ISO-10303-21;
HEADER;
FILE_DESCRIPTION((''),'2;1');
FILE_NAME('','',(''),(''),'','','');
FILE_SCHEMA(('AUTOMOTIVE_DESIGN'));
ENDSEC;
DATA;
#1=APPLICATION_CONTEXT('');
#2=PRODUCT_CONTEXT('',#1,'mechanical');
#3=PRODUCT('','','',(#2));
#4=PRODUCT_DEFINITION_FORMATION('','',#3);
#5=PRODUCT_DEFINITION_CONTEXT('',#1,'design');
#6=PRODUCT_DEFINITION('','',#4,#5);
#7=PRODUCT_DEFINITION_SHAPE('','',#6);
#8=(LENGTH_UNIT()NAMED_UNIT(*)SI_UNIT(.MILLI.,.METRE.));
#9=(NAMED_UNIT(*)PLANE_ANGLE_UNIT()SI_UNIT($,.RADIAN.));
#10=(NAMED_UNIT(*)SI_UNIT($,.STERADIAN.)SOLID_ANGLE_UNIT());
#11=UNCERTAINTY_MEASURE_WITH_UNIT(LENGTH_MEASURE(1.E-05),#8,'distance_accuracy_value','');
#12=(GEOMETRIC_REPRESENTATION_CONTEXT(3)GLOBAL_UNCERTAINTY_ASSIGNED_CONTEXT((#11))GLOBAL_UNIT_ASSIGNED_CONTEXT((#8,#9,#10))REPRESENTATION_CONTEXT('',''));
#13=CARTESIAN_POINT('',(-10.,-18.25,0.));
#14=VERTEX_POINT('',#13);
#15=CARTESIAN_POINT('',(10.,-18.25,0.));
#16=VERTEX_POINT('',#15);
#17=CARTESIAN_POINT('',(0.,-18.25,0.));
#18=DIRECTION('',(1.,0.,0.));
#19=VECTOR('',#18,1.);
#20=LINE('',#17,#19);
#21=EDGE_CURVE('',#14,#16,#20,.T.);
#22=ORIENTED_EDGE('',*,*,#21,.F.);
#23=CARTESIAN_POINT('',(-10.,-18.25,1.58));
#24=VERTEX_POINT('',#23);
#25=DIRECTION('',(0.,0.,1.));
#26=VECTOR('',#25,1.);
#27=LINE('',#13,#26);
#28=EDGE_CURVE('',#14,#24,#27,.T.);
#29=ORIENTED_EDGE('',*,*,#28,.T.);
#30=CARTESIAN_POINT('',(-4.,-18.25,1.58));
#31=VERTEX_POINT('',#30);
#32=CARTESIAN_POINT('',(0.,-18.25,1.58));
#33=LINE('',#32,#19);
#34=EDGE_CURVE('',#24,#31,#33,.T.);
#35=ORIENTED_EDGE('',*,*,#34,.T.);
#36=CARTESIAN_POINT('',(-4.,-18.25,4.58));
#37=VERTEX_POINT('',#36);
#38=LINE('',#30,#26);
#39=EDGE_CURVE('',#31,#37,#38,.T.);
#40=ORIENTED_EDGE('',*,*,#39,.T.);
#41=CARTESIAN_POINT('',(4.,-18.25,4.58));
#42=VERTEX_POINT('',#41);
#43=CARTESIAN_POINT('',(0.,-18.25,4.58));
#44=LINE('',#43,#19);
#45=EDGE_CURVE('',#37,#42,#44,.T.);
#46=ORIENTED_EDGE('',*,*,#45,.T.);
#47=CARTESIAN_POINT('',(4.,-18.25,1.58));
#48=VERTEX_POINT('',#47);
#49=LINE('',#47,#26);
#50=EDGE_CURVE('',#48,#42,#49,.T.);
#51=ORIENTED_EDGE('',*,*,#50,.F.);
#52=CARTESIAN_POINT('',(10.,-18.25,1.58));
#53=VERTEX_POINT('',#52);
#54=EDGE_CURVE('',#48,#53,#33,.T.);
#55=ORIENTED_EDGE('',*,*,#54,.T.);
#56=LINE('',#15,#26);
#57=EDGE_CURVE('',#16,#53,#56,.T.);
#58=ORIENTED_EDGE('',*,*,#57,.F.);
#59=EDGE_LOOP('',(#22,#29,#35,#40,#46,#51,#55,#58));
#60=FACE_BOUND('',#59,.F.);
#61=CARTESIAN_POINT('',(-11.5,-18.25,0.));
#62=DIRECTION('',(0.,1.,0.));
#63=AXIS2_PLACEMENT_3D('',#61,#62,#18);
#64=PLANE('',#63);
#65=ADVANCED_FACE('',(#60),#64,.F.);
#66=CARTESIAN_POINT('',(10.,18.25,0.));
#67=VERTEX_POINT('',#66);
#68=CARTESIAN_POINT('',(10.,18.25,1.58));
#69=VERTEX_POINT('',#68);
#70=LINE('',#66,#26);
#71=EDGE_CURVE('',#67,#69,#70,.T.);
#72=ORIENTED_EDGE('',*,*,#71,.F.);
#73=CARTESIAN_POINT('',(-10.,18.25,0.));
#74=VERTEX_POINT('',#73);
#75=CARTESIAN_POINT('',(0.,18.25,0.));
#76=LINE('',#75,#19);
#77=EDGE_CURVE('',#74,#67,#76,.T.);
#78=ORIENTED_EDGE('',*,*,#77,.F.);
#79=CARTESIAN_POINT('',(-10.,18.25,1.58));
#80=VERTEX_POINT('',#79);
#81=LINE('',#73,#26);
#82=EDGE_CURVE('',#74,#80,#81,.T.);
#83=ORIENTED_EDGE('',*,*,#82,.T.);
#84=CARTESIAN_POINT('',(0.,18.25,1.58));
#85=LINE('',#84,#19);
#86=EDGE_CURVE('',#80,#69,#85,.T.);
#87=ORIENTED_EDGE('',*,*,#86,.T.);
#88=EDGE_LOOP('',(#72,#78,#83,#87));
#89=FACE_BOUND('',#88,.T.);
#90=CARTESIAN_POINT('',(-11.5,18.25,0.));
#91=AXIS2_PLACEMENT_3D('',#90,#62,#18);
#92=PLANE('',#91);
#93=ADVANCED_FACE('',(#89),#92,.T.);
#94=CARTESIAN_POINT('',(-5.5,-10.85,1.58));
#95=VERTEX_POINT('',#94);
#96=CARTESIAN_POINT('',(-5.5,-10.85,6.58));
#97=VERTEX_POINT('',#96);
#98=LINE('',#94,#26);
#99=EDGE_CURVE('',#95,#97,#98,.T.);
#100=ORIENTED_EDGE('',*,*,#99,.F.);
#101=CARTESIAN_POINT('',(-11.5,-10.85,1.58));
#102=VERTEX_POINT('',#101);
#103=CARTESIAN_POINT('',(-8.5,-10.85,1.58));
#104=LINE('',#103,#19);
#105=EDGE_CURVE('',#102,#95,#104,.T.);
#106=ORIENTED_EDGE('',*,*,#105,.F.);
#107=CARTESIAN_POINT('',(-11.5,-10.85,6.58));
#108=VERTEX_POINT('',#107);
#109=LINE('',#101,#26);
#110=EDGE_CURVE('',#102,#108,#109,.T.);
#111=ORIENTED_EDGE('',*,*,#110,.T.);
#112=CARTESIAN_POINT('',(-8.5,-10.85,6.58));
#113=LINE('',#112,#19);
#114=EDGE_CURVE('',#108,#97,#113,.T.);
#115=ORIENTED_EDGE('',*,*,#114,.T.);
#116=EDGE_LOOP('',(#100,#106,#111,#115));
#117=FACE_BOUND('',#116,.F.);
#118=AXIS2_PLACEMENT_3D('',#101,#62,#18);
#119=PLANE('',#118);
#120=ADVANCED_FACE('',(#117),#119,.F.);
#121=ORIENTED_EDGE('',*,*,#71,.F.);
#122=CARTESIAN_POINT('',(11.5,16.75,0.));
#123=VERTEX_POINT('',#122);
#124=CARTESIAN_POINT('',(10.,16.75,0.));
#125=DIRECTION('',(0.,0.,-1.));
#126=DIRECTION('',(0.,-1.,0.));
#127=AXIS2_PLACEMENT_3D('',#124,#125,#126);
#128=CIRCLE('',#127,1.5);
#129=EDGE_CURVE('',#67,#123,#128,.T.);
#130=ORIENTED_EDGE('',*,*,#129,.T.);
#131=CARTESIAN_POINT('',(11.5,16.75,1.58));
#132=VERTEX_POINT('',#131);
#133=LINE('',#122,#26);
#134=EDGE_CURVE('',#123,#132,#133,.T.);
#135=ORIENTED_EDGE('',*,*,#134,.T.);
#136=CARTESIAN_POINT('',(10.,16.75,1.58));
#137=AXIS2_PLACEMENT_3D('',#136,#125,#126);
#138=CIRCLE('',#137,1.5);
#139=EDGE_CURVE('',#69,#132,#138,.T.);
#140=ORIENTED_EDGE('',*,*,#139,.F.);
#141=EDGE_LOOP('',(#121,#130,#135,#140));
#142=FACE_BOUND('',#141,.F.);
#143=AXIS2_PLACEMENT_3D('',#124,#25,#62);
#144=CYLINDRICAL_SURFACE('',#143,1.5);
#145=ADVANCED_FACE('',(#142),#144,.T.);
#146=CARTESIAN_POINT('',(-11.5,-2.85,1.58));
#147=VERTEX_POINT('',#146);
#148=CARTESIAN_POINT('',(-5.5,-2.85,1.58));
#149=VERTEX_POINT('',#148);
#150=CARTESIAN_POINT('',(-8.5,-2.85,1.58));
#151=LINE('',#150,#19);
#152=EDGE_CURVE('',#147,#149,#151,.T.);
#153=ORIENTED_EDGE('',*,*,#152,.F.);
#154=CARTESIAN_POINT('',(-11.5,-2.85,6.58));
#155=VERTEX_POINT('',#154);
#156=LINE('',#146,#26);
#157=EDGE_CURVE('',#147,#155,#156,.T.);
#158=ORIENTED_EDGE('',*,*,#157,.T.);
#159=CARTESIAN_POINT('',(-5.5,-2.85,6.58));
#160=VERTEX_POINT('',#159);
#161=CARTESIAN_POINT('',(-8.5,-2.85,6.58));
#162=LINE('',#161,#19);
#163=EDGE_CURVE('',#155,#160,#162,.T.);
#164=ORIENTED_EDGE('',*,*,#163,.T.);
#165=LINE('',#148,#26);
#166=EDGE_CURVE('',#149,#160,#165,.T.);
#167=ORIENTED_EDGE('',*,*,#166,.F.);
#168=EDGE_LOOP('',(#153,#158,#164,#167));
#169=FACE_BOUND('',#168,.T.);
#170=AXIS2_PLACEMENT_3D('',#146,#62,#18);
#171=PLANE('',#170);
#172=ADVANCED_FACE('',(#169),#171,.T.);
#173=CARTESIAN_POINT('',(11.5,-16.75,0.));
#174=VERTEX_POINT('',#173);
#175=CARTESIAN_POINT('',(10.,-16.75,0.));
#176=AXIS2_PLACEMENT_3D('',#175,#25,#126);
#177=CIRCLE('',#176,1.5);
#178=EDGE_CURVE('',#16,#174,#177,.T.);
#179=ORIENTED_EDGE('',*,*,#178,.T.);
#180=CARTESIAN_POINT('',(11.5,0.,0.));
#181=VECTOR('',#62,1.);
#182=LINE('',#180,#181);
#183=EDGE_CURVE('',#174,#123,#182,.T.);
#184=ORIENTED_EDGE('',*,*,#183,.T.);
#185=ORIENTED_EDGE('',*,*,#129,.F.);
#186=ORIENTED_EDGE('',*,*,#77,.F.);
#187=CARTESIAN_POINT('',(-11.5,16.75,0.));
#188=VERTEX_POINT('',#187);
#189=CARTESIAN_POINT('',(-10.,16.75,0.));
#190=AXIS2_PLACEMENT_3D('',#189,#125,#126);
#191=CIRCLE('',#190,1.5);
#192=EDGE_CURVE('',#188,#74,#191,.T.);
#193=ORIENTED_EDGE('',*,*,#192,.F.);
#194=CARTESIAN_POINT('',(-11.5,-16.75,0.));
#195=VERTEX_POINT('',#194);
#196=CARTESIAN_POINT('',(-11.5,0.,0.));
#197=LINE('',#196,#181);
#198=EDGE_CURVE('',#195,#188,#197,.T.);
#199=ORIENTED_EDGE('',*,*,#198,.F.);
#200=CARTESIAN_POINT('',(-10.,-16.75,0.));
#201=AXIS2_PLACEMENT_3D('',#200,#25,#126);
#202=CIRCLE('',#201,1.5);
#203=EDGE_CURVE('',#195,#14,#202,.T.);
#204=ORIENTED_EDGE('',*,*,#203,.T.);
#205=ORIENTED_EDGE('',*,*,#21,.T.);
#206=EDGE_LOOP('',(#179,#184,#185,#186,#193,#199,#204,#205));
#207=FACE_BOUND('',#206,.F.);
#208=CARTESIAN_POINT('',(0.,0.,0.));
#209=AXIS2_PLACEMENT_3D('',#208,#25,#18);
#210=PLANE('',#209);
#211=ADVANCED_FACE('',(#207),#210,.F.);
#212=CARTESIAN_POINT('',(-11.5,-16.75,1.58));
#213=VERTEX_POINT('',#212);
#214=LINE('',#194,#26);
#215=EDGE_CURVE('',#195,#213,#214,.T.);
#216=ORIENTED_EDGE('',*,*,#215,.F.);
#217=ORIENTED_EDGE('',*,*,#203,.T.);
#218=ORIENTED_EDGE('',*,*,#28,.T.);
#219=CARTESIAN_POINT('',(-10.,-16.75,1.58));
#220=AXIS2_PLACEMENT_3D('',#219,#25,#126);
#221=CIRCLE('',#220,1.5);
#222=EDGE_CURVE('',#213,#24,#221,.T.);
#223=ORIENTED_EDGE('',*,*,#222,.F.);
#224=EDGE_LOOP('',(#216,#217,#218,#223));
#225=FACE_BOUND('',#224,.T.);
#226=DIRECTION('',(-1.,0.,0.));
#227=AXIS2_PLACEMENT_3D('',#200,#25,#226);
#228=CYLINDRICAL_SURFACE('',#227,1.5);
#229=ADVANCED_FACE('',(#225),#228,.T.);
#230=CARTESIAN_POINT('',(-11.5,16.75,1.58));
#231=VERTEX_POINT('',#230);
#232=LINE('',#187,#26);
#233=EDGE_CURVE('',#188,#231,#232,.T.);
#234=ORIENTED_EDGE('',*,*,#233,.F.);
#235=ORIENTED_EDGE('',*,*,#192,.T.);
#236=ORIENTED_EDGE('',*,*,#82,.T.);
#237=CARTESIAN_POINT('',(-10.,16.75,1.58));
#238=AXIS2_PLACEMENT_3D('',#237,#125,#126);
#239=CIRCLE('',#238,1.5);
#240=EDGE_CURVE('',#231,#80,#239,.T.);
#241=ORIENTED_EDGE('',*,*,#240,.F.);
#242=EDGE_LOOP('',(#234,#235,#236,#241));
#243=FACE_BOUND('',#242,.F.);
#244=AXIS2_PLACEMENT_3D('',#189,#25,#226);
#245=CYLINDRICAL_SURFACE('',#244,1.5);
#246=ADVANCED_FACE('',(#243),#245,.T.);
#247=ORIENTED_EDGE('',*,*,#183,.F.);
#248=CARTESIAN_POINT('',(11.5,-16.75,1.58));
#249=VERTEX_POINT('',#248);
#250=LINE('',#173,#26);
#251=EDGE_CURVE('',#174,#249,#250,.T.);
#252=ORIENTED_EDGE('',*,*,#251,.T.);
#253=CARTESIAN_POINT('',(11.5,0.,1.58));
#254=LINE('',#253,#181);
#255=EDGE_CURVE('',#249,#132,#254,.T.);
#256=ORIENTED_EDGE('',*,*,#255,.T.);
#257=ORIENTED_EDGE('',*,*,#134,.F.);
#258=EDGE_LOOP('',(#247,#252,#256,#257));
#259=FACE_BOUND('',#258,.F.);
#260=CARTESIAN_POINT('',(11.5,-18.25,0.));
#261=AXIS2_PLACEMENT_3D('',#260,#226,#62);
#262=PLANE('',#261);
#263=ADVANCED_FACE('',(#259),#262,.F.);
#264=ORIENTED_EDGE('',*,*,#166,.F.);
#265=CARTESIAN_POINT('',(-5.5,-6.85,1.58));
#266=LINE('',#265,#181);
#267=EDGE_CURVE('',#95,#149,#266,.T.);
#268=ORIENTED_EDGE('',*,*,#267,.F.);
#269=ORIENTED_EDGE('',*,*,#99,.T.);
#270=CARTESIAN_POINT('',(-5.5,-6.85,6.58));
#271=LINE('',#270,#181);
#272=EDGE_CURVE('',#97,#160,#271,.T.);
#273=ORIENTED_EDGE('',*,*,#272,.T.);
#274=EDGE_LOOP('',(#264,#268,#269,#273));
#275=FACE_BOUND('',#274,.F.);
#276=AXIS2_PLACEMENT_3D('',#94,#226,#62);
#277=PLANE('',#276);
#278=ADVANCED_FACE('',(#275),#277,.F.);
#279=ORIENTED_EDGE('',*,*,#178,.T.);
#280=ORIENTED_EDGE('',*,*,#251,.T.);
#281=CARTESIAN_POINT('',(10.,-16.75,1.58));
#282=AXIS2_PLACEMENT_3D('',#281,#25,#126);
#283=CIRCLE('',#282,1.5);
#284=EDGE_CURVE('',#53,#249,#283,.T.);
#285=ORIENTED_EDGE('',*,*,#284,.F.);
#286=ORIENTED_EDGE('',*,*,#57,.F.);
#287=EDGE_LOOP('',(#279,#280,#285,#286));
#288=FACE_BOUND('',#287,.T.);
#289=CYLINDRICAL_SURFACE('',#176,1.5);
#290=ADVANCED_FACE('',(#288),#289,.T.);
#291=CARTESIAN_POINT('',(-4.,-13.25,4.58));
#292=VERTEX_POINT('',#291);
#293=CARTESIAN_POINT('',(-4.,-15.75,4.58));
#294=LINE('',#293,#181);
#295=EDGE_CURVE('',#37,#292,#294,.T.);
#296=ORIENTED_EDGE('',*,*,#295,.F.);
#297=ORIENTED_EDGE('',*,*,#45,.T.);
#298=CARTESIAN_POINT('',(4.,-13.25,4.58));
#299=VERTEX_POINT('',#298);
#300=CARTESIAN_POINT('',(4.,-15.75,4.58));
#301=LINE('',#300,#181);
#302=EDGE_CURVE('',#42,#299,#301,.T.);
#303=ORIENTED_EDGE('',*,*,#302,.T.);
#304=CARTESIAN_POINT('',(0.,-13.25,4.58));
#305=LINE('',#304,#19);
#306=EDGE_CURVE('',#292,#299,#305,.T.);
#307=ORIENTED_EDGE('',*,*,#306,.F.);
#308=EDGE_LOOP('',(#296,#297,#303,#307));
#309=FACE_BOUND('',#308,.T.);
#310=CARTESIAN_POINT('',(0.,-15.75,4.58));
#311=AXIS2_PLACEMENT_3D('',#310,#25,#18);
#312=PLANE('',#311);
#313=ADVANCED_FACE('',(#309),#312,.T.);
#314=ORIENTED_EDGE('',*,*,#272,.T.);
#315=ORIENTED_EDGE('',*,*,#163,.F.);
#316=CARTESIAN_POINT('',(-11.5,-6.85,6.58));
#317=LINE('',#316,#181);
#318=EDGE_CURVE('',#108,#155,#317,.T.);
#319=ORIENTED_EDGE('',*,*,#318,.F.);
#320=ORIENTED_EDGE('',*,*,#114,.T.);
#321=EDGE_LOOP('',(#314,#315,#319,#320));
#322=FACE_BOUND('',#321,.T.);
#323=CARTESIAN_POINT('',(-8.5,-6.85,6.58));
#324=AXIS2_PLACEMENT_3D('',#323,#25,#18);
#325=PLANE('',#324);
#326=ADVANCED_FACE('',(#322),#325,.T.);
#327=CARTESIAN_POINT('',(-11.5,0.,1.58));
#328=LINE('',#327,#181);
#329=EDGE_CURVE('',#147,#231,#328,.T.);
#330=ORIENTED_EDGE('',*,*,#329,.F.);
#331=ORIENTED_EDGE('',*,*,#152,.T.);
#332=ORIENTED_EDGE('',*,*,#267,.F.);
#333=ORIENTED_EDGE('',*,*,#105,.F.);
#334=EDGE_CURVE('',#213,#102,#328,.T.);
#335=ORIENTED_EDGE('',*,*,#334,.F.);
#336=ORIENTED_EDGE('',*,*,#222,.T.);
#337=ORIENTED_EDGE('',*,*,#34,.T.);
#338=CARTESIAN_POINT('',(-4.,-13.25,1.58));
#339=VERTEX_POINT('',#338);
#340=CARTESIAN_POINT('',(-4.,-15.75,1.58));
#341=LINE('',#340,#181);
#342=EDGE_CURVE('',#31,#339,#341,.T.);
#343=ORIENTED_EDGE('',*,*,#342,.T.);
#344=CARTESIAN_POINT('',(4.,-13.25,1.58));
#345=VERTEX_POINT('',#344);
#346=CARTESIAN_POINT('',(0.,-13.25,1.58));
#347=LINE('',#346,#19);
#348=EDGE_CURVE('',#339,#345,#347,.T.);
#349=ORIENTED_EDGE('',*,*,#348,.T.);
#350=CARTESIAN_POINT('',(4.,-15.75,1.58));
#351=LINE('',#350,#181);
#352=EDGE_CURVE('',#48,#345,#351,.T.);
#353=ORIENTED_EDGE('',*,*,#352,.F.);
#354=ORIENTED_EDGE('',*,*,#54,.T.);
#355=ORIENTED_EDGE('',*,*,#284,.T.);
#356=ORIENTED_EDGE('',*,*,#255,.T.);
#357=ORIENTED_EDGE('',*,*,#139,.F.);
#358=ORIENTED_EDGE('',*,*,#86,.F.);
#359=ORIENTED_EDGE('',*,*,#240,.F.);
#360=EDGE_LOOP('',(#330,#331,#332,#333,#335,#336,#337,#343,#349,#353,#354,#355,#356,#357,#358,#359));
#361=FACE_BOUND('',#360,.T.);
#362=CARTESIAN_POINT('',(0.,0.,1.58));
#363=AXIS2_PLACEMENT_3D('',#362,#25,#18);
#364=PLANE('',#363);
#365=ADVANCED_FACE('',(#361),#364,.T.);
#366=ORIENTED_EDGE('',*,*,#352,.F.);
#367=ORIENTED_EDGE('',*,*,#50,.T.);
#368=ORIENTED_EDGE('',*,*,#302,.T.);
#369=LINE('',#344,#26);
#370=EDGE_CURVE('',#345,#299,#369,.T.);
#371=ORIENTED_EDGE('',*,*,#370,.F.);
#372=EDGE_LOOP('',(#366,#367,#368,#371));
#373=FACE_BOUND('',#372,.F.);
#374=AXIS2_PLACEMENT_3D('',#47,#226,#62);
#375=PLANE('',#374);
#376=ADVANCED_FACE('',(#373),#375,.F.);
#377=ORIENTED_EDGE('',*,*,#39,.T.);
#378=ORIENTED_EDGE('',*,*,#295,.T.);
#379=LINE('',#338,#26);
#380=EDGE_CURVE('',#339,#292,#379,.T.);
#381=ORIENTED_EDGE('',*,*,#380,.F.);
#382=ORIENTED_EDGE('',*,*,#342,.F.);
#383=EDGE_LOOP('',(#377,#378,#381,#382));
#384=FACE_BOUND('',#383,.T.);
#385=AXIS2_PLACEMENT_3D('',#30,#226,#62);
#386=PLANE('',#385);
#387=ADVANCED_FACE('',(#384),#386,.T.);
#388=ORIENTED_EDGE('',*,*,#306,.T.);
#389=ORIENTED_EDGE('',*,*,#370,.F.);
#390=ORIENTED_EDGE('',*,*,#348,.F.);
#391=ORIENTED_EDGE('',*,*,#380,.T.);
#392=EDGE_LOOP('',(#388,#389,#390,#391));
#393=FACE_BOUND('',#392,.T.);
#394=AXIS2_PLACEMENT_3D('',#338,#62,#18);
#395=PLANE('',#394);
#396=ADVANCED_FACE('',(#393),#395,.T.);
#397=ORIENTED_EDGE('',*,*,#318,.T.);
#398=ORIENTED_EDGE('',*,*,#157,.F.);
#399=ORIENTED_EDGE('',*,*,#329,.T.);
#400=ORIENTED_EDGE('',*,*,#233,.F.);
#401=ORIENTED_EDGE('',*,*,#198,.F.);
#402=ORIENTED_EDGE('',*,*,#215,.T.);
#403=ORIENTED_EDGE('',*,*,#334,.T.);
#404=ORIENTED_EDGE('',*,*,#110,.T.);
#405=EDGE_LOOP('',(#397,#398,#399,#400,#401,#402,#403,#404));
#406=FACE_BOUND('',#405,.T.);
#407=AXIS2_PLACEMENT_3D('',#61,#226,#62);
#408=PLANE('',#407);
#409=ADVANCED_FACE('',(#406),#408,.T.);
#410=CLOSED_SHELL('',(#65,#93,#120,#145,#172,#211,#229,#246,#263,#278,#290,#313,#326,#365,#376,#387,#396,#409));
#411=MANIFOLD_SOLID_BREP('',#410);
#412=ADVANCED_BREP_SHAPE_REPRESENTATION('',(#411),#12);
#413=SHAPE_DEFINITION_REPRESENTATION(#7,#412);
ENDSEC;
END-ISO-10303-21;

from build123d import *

# Parameters (mm, degrees)
F0_W     = 23
F0_H     = 36.5
F1_DEPTH = 1.58
F2_W     = 8
F2_H     = 5
F3_DEPTH = 3
F2_W_2   = 6
F2_H_2   = 8
F4_DEPTH = 5
F5_R     = 1.5


with BuildPart() as f1:
    # F0 (on Top) → F1 (new body)
    with BuildSketch(Plane.XY):
        Rectangle(F0_W, F0_H)
    extrude(amount=F1_DEPTH)

    # F2 (on face) → F3 (join)
    with BuildSketch(Plane.XY.offset(1.58)):
        with Locations((0, -15.75)):
            Rectangle(F2_W, F2_H)
    extrude(amount=F3_DEPTH)

    # F2 (on face) → F4 (join)
    with BuildSketch(Plane.XY.offset(1.58)):
        with Locations((-8.5, -6.85)):
            Rectangle(F2_W_2, F2_H_2)
    extrude(amount=F4_DEPTH)

    # F5
    f5_edges = [f1.edges().sort_by_distance(p)[0] for p in [
        (-11.5, -18.25, 0.79),
        (11.5, -18.25, 0.79),
        (11.5, 18.25, 0.79),
        (-11.5, 18.25, 0.79),
    ]]
    fillet(f5_edges, radius=F5_R)


solid = f1.part
